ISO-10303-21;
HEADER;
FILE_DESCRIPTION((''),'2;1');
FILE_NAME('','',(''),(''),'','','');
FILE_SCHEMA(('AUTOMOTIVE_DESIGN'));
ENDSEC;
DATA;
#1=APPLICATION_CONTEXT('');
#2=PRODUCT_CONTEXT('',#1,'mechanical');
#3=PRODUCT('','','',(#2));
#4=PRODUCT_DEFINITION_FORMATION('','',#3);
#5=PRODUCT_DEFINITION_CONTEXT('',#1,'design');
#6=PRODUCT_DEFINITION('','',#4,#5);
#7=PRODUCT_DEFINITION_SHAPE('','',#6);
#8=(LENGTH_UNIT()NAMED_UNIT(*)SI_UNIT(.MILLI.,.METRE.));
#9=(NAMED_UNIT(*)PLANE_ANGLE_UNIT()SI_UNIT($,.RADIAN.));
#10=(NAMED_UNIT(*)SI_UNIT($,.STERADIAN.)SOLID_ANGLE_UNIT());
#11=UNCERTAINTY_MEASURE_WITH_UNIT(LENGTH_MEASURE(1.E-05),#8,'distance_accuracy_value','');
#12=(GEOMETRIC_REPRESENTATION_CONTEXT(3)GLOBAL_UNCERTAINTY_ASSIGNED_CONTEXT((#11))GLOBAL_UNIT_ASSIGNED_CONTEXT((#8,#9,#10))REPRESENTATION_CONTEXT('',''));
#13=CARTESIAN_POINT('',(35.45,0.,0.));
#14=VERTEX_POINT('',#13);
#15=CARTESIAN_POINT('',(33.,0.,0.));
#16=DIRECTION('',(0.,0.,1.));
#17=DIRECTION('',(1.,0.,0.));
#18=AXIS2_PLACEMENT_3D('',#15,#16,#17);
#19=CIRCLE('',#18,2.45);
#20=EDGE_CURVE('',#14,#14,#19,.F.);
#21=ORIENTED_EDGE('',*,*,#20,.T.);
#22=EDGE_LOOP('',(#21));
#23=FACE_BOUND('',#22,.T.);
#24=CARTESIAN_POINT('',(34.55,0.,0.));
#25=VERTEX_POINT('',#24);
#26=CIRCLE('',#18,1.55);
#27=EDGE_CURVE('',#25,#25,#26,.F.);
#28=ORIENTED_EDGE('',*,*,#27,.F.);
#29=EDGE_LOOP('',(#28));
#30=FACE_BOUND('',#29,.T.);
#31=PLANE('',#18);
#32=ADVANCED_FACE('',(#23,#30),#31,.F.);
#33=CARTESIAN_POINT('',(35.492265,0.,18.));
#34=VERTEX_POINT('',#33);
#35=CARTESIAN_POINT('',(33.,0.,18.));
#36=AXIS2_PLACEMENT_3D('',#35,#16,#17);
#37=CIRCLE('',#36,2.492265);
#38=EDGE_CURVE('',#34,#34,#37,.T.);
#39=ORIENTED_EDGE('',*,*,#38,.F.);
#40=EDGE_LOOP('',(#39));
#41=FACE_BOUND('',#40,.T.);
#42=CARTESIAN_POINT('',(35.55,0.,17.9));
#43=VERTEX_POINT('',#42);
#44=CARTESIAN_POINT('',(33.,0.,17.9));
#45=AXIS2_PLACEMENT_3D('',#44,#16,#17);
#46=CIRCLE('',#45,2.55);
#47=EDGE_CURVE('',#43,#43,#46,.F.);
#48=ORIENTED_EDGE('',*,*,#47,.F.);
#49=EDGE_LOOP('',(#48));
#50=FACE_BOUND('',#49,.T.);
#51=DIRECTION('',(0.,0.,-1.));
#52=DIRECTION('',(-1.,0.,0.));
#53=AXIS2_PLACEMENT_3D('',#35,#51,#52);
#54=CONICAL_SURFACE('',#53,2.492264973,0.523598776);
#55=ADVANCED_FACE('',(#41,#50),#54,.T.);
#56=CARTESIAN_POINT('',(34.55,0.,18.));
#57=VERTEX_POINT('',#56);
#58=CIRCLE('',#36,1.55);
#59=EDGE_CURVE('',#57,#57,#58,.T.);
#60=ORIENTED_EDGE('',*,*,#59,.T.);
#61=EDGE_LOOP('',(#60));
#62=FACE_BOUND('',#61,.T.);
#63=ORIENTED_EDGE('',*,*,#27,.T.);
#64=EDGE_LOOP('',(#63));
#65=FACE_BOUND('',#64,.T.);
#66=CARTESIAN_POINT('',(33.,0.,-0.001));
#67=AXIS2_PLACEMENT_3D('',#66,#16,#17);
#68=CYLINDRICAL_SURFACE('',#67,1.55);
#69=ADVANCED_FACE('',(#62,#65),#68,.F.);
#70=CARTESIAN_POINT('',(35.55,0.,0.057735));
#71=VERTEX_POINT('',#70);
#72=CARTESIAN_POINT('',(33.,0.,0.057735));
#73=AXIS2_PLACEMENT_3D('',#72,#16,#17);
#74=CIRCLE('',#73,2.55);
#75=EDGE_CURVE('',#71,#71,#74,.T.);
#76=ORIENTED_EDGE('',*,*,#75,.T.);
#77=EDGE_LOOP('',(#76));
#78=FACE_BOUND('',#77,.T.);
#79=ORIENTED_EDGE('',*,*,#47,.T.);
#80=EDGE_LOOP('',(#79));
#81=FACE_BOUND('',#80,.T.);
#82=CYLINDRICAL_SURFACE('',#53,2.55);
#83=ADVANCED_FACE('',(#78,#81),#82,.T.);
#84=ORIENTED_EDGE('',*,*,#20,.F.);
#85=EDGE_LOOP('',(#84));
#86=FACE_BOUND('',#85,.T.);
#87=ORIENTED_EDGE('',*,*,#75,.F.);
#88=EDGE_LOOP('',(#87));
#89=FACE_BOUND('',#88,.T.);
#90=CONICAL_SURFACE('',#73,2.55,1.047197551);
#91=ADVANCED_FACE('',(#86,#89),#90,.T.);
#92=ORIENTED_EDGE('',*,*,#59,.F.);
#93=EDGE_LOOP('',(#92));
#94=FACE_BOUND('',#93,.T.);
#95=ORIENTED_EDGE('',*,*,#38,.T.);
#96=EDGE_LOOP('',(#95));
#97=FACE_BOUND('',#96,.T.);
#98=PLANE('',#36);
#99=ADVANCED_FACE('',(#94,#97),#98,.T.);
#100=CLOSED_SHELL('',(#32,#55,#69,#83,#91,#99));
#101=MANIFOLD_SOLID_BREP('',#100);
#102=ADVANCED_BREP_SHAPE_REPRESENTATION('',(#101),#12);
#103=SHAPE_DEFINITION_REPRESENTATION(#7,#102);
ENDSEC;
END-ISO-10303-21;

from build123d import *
from OCP.BRepFilletAPI import BRepFilletAPI_MakeChamfer

# Parameters (mm, degrees)
SKETCH1_R           = 2.55
BOSS_EXTRUDE1_DEPTH = 18
CUT_EXTRUDE1_REACH  = 41.929
SKETCH3_R           = 1.55
CHAMFER1_SIZE       = 0.1
CHAMFER1_SIZE2      = 0.057735027


with BuildPart() as part:
    # Sketch1 → Boss-Extrude1 (new body)
    with BuildSketch(Plane.XY):
        with Locations((33, 0)):
            Circle(SKETCH1_R)
    extrude(amount=BOSS_EXTRUDE1_DEPTH)

    # Sketch3 → Cut-Extrude1 (cut, up to next)
    with BuildSketch(Plane.XY.offset(18), mode=Mode.PRIVATE) as cut_extrude1_sk1:
        with Locations((33, 0)):
            Circle(SKETCH3_R)
    cut_extrude1_tool1 = extrude(cut_extrude1_sk1.sketch, amount=-CUT_EXTRUDE1_REACH, mode=Mode.PRIVATE) & part.part
    add(cut_extrude1_tool1.solids().sort_by_distance((33, 0, 18))[0], mode=Mode.SUBTRACT)

    # Chamfer1: one chamfer whose edges measure the first distance from different faces: ONE call of the kernel's chamfer builder (chamfer() names one face for all edges)
    chamfer1_edges_1 = [part.edges().sort_by_distance(p)[0] for p in [
        (30.45, 0, 0),
    ]]
    chamfer1_side_1 = [part.faces().sort_by_distance(p)[0] for p in [
        (30.522124892, 0, 0),
    ]]
    chamfer1_edges_2 = [part.edges().sort_by_distance(p)[0] for p in [
        (30.45, 0, 18),
    ]]
    chamfer1_side_2 = [part.faces().sort_by_distance(p)[0] for p in [
        (30.45, 0, 9),
    ]]
    chamfer1 = BRepFilletAPI_MakeChamfer(part.part.solid().wrapped)
    for e in chamfer1_edges_1:
        chamfer1.Add(CHAMFER1_SIZE, CHAMFER1_SIZE2, e.wrapped, chamfer1_side_1[0].wrapped)  # the first distance lies on this face
    for e in chamfer1_edges_2:
        chamfer1.Add(CHAMFER1_SIZE, CHAMFER1_SIZE2, e.wrapped, chamfer1_side_2[0].wrapped)  # the first distance lies on this face
    add(Compound.cast(chamfer1.Shape()), mode=Mode.REPLACE)


solid = part.part
